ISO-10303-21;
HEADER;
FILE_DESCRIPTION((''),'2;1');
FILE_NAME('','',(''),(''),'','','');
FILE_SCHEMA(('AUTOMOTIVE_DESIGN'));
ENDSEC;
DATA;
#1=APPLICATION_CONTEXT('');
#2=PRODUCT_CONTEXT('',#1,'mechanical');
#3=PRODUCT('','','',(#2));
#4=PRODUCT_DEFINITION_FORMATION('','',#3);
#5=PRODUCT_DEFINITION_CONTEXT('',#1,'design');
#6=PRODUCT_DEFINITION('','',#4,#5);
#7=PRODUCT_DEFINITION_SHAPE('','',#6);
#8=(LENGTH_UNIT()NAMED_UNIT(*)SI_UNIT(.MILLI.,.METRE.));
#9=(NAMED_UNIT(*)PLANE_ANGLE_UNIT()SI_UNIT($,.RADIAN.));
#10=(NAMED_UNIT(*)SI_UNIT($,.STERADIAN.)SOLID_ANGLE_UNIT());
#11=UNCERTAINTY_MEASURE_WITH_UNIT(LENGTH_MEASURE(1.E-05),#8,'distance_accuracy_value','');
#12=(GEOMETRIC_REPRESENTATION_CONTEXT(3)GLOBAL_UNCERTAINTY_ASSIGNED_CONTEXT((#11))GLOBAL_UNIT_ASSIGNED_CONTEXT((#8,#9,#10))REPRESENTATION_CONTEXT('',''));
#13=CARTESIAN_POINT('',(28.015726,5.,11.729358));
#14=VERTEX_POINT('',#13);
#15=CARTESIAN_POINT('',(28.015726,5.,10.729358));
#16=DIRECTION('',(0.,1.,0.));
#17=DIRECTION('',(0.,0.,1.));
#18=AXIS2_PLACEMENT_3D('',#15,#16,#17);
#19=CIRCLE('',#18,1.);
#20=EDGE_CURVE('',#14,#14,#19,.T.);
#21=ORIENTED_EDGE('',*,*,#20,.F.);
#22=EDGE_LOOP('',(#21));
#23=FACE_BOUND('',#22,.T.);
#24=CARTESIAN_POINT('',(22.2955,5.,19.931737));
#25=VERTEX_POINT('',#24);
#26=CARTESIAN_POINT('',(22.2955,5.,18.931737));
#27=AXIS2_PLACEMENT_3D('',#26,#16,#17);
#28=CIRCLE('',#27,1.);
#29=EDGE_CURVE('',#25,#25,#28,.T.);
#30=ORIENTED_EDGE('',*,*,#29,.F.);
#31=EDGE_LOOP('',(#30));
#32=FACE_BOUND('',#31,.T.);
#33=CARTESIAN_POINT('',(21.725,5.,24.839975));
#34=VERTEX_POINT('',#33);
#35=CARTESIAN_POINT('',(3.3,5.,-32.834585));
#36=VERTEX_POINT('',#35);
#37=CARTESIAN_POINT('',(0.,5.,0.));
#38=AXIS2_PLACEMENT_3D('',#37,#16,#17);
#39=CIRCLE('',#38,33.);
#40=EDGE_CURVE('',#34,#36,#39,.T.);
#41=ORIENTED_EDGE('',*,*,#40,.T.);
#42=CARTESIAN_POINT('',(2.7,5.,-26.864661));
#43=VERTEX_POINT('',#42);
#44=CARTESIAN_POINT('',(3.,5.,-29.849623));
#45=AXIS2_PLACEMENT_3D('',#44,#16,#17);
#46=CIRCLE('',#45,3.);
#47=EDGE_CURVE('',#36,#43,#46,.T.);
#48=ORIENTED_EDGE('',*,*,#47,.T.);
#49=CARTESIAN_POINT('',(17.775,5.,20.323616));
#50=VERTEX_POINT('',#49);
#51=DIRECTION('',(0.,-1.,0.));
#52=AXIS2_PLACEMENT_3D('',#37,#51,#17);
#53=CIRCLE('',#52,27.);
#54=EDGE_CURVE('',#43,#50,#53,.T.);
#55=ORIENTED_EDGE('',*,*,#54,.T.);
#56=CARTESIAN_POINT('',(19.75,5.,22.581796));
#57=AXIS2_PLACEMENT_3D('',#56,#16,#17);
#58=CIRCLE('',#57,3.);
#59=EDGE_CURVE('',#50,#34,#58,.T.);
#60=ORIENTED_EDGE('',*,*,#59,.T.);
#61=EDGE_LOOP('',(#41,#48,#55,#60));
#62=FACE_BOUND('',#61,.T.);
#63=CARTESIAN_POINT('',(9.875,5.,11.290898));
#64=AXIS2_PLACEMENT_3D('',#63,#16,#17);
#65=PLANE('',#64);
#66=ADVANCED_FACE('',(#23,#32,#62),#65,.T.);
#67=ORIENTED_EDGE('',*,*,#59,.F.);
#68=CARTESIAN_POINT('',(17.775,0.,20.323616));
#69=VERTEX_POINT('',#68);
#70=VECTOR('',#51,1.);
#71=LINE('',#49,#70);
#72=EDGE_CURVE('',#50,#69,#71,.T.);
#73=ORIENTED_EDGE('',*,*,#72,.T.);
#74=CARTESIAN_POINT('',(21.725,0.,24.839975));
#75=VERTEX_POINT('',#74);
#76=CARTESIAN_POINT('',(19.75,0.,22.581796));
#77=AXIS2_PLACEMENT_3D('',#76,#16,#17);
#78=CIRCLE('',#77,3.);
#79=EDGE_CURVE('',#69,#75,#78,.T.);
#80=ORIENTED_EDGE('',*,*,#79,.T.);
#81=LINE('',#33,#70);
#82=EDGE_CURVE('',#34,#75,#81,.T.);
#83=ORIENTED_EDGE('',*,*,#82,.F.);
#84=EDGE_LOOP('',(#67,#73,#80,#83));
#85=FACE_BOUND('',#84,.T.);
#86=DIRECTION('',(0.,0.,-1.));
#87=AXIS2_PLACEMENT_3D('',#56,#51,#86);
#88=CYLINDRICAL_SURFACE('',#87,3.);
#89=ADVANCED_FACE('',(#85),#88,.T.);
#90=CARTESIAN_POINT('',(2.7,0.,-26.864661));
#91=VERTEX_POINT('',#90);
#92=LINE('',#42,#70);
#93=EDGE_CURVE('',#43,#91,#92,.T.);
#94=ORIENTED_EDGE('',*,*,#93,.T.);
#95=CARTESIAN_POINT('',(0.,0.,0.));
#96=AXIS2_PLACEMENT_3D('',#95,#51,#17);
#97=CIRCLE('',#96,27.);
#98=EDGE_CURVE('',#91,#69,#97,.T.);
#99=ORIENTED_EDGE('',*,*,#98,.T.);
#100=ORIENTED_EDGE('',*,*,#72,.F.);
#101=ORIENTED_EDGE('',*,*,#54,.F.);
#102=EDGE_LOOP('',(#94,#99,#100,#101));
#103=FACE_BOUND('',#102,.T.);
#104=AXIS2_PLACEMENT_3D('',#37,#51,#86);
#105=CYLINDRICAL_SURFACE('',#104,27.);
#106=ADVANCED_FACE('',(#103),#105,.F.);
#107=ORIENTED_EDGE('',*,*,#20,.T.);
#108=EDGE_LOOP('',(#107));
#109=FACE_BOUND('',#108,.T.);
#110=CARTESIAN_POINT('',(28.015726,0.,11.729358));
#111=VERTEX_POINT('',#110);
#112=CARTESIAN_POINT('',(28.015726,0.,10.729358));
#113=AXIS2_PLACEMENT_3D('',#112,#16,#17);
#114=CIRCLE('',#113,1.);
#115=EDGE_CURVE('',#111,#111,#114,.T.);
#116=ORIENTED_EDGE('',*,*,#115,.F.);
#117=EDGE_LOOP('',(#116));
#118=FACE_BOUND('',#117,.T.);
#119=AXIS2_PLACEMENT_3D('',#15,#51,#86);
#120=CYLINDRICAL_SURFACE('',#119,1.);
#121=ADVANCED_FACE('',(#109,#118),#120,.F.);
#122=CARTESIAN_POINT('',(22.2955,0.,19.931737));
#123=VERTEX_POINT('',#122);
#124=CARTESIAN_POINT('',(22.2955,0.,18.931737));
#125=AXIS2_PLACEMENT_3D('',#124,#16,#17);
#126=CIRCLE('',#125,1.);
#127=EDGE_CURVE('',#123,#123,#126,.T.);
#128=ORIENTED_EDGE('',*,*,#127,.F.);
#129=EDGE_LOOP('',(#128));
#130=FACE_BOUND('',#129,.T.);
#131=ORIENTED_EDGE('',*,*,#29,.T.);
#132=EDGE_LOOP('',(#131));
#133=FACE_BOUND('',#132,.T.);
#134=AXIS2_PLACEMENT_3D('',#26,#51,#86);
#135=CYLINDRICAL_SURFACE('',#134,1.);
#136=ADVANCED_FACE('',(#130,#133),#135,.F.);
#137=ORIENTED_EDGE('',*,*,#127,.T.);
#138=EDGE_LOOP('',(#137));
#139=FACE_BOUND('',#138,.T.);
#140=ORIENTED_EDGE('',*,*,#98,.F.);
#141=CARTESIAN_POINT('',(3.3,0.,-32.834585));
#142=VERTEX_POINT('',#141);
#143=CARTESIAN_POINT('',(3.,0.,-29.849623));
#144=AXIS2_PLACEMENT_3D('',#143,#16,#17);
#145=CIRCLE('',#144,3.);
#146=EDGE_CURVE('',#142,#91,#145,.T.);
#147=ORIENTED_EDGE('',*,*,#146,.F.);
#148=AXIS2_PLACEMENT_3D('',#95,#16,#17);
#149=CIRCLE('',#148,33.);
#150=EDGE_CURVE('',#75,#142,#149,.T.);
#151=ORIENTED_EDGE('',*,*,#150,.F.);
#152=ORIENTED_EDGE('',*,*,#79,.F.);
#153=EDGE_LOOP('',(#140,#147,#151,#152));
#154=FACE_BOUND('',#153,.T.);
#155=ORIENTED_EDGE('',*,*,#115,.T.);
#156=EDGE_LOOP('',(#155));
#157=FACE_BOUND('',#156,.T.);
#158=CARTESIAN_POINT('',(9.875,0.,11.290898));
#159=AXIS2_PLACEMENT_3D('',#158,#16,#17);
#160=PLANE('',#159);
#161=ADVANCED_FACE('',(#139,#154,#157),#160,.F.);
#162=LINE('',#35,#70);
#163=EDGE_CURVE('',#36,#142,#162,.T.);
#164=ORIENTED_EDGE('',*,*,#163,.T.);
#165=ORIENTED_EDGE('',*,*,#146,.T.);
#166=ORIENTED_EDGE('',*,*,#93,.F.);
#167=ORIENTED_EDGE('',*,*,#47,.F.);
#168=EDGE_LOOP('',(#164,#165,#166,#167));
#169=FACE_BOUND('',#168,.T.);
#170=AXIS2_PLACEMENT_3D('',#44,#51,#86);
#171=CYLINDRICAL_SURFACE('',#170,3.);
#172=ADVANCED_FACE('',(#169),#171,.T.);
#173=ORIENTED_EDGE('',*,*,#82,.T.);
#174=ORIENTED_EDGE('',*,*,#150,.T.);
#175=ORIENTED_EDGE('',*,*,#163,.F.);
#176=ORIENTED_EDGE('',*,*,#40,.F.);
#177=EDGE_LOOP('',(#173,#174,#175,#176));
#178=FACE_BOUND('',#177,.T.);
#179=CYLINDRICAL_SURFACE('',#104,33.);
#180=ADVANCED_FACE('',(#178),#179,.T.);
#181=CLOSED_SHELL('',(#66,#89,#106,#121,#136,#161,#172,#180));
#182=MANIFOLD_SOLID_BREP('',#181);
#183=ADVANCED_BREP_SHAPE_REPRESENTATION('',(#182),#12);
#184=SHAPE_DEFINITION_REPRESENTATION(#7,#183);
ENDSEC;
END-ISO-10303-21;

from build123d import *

# Parameters (mm, degrees)
SKETCH1_R           = 1
BOSS_EXTRUDE1_DEPTH = 5


with BuildPart() as part:
    # Sketch1 → Boss-Extrude1 (new body)
    with BuildSketch(Plane(origin=(0, 0, 0), x_dir=(1, 0, 0), z_dir=(0, 1, 0))):
        with BuildLine():
            ThreePointArc((21.725, -24.839975342), (31.434875475, 10.042340556), (3.3, 32.834585425))
            ThreePointArc((3.3, 32.834585425), (0.015037689, 30.149623113), (2.7, 26.864660802))
            ThreePointArc((2.7, 26.864660802), (25.719443571, 8.216460455), (17.775, -20.323616189))
            ThreePointArc((17.775, -20.323616189), (17.491820423, -24.556795766), (21.725, -24.839975342))
        make_face()
        with Locations(Location((22.295500251, -18.931737071, 0), (0, 0, 270))):
            Circle(SKETCH1_R, mode=Mode.SUBTRACT)
        with Locations(Location((28.015725535, -10.729357984, 0), (0, 0, 270))):
            Circle(SKETCH1_R, mode=Mode.SUBTRACT)
    extrude(amount=BOSS_EXTRUDE1_DEPTH)


solid = part.part
